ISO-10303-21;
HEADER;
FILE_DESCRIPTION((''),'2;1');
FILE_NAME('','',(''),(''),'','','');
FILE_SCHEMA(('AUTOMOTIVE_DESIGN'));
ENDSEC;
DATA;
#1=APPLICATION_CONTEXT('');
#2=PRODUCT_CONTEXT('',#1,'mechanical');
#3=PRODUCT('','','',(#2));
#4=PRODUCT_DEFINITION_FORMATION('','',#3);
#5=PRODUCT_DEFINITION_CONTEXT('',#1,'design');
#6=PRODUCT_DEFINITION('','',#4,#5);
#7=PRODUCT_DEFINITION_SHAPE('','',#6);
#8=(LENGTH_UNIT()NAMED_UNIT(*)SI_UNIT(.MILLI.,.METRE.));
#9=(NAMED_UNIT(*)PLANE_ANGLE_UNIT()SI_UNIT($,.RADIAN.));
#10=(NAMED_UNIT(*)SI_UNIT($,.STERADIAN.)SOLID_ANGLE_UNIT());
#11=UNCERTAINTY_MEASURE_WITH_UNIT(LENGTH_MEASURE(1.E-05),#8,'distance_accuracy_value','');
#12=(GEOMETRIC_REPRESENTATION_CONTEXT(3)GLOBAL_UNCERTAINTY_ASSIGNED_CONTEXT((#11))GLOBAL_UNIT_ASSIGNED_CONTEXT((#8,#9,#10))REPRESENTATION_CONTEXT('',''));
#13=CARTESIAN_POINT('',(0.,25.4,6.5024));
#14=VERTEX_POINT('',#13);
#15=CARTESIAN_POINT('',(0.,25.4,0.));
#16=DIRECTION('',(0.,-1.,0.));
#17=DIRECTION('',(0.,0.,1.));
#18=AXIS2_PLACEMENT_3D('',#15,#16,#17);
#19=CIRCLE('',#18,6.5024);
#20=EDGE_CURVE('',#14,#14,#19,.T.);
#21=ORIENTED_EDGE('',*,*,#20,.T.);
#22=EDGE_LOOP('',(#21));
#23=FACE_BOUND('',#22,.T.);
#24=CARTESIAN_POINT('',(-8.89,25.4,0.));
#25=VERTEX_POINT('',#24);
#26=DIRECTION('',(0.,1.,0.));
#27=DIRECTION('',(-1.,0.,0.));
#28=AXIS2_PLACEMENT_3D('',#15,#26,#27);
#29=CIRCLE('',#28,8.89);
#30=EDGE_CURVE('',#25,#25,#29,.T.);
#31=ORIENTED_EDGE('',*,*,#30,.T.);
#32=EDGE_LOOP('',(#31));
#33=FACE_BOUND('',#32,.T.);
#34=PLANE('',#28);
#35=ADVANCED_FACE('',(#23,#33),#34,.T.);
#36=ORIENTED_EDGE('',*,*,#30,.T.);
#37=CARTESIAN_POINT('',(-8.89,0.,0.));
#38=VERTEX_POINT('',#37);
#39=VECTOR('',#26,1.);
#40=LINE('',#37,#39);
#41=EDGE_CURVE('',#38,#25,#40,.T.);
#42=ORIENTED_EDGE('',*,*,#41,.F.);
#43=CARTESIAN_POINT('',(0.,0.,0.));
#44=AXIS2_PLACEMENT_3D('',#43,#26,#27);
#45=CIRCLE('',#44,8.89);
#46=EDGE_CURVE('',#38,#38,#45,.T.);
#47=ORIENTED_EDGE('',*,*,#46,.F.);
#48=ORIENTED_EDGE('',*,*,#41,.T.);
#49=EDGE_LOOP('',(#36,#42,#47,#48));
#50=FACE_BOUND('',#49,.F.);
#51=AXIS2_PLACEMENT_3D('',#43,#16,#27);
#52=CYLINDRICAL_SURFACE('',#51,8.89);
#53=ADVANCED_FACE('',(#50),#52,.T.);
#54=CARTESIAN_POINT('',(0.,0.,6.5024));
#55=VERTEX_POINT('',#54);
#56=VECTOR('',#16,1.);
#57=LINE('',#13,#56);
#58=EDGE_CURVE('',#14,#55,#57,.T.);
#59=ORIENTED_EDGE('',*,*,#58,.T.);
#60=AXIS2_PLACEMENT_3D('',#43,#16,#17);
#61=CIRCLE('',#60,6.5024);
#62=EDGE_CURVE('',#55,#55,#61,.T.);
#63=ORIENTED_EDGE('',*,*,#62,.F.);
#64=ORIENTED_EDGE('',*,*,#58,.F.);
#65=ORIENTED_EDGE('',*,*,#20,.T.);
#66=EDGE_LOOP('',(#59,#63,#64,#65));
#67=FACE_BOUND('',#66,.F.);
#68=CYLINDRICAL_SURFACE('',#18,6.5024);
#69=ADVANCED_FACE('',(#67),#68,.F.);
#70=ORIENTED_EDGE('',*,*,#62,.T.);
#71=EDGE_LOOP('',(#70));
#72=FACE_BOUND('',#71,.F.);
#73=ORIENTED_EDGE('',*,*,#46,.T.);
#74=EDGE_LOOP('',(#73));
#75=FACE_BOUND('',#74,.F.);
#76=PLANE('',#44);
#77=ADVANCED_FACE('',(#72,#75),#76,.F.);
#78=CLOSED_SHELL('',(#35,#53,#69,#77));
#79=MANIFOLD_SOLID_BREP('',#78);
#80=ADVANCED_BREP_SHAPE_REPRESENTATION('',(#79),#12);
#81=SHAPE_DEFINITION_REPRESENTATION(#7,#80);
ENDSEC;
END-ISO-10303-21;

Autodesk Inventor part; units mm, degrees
ref_plane "YZ Plane" through (0, 0, 0) normal (1, 0, 0) x (0, 1, 0)
ref_plane "XZ Plane" through (0, 0, 0) normal (0, 1, 0) x (-1, 0, 0)
ref_plane "XY Plane" through (0, 0, 0) normal (0, 0, 1) x (1, 0, 0)
sketch "Sketch1" plane through (0, 0, 0) normal (0, 1, 0) x (-1, 0, 0)
  circle A0 centre (0, 0) radius 8.89
  dimension "d13" = 17.78
extrude "Extrusion1" add sketch "Sketch1" along normal blind 25.4
sketch "Sketch2" plane through (0, 25.4, 0) normal (0, 1, 0) x (1, 0, 0)
  point P0 (0, 0)
  point P1 (0, 0)
hole "Hole1" at (0, 25.4, 0) direction (0, -1, 0) diameter 13.0048 end through all
thread "Thread1" size "5/16-18 UNC" class "2B" standard "ANSI Unified Screw Threads" full length
properties part number "Standoff_v1"
